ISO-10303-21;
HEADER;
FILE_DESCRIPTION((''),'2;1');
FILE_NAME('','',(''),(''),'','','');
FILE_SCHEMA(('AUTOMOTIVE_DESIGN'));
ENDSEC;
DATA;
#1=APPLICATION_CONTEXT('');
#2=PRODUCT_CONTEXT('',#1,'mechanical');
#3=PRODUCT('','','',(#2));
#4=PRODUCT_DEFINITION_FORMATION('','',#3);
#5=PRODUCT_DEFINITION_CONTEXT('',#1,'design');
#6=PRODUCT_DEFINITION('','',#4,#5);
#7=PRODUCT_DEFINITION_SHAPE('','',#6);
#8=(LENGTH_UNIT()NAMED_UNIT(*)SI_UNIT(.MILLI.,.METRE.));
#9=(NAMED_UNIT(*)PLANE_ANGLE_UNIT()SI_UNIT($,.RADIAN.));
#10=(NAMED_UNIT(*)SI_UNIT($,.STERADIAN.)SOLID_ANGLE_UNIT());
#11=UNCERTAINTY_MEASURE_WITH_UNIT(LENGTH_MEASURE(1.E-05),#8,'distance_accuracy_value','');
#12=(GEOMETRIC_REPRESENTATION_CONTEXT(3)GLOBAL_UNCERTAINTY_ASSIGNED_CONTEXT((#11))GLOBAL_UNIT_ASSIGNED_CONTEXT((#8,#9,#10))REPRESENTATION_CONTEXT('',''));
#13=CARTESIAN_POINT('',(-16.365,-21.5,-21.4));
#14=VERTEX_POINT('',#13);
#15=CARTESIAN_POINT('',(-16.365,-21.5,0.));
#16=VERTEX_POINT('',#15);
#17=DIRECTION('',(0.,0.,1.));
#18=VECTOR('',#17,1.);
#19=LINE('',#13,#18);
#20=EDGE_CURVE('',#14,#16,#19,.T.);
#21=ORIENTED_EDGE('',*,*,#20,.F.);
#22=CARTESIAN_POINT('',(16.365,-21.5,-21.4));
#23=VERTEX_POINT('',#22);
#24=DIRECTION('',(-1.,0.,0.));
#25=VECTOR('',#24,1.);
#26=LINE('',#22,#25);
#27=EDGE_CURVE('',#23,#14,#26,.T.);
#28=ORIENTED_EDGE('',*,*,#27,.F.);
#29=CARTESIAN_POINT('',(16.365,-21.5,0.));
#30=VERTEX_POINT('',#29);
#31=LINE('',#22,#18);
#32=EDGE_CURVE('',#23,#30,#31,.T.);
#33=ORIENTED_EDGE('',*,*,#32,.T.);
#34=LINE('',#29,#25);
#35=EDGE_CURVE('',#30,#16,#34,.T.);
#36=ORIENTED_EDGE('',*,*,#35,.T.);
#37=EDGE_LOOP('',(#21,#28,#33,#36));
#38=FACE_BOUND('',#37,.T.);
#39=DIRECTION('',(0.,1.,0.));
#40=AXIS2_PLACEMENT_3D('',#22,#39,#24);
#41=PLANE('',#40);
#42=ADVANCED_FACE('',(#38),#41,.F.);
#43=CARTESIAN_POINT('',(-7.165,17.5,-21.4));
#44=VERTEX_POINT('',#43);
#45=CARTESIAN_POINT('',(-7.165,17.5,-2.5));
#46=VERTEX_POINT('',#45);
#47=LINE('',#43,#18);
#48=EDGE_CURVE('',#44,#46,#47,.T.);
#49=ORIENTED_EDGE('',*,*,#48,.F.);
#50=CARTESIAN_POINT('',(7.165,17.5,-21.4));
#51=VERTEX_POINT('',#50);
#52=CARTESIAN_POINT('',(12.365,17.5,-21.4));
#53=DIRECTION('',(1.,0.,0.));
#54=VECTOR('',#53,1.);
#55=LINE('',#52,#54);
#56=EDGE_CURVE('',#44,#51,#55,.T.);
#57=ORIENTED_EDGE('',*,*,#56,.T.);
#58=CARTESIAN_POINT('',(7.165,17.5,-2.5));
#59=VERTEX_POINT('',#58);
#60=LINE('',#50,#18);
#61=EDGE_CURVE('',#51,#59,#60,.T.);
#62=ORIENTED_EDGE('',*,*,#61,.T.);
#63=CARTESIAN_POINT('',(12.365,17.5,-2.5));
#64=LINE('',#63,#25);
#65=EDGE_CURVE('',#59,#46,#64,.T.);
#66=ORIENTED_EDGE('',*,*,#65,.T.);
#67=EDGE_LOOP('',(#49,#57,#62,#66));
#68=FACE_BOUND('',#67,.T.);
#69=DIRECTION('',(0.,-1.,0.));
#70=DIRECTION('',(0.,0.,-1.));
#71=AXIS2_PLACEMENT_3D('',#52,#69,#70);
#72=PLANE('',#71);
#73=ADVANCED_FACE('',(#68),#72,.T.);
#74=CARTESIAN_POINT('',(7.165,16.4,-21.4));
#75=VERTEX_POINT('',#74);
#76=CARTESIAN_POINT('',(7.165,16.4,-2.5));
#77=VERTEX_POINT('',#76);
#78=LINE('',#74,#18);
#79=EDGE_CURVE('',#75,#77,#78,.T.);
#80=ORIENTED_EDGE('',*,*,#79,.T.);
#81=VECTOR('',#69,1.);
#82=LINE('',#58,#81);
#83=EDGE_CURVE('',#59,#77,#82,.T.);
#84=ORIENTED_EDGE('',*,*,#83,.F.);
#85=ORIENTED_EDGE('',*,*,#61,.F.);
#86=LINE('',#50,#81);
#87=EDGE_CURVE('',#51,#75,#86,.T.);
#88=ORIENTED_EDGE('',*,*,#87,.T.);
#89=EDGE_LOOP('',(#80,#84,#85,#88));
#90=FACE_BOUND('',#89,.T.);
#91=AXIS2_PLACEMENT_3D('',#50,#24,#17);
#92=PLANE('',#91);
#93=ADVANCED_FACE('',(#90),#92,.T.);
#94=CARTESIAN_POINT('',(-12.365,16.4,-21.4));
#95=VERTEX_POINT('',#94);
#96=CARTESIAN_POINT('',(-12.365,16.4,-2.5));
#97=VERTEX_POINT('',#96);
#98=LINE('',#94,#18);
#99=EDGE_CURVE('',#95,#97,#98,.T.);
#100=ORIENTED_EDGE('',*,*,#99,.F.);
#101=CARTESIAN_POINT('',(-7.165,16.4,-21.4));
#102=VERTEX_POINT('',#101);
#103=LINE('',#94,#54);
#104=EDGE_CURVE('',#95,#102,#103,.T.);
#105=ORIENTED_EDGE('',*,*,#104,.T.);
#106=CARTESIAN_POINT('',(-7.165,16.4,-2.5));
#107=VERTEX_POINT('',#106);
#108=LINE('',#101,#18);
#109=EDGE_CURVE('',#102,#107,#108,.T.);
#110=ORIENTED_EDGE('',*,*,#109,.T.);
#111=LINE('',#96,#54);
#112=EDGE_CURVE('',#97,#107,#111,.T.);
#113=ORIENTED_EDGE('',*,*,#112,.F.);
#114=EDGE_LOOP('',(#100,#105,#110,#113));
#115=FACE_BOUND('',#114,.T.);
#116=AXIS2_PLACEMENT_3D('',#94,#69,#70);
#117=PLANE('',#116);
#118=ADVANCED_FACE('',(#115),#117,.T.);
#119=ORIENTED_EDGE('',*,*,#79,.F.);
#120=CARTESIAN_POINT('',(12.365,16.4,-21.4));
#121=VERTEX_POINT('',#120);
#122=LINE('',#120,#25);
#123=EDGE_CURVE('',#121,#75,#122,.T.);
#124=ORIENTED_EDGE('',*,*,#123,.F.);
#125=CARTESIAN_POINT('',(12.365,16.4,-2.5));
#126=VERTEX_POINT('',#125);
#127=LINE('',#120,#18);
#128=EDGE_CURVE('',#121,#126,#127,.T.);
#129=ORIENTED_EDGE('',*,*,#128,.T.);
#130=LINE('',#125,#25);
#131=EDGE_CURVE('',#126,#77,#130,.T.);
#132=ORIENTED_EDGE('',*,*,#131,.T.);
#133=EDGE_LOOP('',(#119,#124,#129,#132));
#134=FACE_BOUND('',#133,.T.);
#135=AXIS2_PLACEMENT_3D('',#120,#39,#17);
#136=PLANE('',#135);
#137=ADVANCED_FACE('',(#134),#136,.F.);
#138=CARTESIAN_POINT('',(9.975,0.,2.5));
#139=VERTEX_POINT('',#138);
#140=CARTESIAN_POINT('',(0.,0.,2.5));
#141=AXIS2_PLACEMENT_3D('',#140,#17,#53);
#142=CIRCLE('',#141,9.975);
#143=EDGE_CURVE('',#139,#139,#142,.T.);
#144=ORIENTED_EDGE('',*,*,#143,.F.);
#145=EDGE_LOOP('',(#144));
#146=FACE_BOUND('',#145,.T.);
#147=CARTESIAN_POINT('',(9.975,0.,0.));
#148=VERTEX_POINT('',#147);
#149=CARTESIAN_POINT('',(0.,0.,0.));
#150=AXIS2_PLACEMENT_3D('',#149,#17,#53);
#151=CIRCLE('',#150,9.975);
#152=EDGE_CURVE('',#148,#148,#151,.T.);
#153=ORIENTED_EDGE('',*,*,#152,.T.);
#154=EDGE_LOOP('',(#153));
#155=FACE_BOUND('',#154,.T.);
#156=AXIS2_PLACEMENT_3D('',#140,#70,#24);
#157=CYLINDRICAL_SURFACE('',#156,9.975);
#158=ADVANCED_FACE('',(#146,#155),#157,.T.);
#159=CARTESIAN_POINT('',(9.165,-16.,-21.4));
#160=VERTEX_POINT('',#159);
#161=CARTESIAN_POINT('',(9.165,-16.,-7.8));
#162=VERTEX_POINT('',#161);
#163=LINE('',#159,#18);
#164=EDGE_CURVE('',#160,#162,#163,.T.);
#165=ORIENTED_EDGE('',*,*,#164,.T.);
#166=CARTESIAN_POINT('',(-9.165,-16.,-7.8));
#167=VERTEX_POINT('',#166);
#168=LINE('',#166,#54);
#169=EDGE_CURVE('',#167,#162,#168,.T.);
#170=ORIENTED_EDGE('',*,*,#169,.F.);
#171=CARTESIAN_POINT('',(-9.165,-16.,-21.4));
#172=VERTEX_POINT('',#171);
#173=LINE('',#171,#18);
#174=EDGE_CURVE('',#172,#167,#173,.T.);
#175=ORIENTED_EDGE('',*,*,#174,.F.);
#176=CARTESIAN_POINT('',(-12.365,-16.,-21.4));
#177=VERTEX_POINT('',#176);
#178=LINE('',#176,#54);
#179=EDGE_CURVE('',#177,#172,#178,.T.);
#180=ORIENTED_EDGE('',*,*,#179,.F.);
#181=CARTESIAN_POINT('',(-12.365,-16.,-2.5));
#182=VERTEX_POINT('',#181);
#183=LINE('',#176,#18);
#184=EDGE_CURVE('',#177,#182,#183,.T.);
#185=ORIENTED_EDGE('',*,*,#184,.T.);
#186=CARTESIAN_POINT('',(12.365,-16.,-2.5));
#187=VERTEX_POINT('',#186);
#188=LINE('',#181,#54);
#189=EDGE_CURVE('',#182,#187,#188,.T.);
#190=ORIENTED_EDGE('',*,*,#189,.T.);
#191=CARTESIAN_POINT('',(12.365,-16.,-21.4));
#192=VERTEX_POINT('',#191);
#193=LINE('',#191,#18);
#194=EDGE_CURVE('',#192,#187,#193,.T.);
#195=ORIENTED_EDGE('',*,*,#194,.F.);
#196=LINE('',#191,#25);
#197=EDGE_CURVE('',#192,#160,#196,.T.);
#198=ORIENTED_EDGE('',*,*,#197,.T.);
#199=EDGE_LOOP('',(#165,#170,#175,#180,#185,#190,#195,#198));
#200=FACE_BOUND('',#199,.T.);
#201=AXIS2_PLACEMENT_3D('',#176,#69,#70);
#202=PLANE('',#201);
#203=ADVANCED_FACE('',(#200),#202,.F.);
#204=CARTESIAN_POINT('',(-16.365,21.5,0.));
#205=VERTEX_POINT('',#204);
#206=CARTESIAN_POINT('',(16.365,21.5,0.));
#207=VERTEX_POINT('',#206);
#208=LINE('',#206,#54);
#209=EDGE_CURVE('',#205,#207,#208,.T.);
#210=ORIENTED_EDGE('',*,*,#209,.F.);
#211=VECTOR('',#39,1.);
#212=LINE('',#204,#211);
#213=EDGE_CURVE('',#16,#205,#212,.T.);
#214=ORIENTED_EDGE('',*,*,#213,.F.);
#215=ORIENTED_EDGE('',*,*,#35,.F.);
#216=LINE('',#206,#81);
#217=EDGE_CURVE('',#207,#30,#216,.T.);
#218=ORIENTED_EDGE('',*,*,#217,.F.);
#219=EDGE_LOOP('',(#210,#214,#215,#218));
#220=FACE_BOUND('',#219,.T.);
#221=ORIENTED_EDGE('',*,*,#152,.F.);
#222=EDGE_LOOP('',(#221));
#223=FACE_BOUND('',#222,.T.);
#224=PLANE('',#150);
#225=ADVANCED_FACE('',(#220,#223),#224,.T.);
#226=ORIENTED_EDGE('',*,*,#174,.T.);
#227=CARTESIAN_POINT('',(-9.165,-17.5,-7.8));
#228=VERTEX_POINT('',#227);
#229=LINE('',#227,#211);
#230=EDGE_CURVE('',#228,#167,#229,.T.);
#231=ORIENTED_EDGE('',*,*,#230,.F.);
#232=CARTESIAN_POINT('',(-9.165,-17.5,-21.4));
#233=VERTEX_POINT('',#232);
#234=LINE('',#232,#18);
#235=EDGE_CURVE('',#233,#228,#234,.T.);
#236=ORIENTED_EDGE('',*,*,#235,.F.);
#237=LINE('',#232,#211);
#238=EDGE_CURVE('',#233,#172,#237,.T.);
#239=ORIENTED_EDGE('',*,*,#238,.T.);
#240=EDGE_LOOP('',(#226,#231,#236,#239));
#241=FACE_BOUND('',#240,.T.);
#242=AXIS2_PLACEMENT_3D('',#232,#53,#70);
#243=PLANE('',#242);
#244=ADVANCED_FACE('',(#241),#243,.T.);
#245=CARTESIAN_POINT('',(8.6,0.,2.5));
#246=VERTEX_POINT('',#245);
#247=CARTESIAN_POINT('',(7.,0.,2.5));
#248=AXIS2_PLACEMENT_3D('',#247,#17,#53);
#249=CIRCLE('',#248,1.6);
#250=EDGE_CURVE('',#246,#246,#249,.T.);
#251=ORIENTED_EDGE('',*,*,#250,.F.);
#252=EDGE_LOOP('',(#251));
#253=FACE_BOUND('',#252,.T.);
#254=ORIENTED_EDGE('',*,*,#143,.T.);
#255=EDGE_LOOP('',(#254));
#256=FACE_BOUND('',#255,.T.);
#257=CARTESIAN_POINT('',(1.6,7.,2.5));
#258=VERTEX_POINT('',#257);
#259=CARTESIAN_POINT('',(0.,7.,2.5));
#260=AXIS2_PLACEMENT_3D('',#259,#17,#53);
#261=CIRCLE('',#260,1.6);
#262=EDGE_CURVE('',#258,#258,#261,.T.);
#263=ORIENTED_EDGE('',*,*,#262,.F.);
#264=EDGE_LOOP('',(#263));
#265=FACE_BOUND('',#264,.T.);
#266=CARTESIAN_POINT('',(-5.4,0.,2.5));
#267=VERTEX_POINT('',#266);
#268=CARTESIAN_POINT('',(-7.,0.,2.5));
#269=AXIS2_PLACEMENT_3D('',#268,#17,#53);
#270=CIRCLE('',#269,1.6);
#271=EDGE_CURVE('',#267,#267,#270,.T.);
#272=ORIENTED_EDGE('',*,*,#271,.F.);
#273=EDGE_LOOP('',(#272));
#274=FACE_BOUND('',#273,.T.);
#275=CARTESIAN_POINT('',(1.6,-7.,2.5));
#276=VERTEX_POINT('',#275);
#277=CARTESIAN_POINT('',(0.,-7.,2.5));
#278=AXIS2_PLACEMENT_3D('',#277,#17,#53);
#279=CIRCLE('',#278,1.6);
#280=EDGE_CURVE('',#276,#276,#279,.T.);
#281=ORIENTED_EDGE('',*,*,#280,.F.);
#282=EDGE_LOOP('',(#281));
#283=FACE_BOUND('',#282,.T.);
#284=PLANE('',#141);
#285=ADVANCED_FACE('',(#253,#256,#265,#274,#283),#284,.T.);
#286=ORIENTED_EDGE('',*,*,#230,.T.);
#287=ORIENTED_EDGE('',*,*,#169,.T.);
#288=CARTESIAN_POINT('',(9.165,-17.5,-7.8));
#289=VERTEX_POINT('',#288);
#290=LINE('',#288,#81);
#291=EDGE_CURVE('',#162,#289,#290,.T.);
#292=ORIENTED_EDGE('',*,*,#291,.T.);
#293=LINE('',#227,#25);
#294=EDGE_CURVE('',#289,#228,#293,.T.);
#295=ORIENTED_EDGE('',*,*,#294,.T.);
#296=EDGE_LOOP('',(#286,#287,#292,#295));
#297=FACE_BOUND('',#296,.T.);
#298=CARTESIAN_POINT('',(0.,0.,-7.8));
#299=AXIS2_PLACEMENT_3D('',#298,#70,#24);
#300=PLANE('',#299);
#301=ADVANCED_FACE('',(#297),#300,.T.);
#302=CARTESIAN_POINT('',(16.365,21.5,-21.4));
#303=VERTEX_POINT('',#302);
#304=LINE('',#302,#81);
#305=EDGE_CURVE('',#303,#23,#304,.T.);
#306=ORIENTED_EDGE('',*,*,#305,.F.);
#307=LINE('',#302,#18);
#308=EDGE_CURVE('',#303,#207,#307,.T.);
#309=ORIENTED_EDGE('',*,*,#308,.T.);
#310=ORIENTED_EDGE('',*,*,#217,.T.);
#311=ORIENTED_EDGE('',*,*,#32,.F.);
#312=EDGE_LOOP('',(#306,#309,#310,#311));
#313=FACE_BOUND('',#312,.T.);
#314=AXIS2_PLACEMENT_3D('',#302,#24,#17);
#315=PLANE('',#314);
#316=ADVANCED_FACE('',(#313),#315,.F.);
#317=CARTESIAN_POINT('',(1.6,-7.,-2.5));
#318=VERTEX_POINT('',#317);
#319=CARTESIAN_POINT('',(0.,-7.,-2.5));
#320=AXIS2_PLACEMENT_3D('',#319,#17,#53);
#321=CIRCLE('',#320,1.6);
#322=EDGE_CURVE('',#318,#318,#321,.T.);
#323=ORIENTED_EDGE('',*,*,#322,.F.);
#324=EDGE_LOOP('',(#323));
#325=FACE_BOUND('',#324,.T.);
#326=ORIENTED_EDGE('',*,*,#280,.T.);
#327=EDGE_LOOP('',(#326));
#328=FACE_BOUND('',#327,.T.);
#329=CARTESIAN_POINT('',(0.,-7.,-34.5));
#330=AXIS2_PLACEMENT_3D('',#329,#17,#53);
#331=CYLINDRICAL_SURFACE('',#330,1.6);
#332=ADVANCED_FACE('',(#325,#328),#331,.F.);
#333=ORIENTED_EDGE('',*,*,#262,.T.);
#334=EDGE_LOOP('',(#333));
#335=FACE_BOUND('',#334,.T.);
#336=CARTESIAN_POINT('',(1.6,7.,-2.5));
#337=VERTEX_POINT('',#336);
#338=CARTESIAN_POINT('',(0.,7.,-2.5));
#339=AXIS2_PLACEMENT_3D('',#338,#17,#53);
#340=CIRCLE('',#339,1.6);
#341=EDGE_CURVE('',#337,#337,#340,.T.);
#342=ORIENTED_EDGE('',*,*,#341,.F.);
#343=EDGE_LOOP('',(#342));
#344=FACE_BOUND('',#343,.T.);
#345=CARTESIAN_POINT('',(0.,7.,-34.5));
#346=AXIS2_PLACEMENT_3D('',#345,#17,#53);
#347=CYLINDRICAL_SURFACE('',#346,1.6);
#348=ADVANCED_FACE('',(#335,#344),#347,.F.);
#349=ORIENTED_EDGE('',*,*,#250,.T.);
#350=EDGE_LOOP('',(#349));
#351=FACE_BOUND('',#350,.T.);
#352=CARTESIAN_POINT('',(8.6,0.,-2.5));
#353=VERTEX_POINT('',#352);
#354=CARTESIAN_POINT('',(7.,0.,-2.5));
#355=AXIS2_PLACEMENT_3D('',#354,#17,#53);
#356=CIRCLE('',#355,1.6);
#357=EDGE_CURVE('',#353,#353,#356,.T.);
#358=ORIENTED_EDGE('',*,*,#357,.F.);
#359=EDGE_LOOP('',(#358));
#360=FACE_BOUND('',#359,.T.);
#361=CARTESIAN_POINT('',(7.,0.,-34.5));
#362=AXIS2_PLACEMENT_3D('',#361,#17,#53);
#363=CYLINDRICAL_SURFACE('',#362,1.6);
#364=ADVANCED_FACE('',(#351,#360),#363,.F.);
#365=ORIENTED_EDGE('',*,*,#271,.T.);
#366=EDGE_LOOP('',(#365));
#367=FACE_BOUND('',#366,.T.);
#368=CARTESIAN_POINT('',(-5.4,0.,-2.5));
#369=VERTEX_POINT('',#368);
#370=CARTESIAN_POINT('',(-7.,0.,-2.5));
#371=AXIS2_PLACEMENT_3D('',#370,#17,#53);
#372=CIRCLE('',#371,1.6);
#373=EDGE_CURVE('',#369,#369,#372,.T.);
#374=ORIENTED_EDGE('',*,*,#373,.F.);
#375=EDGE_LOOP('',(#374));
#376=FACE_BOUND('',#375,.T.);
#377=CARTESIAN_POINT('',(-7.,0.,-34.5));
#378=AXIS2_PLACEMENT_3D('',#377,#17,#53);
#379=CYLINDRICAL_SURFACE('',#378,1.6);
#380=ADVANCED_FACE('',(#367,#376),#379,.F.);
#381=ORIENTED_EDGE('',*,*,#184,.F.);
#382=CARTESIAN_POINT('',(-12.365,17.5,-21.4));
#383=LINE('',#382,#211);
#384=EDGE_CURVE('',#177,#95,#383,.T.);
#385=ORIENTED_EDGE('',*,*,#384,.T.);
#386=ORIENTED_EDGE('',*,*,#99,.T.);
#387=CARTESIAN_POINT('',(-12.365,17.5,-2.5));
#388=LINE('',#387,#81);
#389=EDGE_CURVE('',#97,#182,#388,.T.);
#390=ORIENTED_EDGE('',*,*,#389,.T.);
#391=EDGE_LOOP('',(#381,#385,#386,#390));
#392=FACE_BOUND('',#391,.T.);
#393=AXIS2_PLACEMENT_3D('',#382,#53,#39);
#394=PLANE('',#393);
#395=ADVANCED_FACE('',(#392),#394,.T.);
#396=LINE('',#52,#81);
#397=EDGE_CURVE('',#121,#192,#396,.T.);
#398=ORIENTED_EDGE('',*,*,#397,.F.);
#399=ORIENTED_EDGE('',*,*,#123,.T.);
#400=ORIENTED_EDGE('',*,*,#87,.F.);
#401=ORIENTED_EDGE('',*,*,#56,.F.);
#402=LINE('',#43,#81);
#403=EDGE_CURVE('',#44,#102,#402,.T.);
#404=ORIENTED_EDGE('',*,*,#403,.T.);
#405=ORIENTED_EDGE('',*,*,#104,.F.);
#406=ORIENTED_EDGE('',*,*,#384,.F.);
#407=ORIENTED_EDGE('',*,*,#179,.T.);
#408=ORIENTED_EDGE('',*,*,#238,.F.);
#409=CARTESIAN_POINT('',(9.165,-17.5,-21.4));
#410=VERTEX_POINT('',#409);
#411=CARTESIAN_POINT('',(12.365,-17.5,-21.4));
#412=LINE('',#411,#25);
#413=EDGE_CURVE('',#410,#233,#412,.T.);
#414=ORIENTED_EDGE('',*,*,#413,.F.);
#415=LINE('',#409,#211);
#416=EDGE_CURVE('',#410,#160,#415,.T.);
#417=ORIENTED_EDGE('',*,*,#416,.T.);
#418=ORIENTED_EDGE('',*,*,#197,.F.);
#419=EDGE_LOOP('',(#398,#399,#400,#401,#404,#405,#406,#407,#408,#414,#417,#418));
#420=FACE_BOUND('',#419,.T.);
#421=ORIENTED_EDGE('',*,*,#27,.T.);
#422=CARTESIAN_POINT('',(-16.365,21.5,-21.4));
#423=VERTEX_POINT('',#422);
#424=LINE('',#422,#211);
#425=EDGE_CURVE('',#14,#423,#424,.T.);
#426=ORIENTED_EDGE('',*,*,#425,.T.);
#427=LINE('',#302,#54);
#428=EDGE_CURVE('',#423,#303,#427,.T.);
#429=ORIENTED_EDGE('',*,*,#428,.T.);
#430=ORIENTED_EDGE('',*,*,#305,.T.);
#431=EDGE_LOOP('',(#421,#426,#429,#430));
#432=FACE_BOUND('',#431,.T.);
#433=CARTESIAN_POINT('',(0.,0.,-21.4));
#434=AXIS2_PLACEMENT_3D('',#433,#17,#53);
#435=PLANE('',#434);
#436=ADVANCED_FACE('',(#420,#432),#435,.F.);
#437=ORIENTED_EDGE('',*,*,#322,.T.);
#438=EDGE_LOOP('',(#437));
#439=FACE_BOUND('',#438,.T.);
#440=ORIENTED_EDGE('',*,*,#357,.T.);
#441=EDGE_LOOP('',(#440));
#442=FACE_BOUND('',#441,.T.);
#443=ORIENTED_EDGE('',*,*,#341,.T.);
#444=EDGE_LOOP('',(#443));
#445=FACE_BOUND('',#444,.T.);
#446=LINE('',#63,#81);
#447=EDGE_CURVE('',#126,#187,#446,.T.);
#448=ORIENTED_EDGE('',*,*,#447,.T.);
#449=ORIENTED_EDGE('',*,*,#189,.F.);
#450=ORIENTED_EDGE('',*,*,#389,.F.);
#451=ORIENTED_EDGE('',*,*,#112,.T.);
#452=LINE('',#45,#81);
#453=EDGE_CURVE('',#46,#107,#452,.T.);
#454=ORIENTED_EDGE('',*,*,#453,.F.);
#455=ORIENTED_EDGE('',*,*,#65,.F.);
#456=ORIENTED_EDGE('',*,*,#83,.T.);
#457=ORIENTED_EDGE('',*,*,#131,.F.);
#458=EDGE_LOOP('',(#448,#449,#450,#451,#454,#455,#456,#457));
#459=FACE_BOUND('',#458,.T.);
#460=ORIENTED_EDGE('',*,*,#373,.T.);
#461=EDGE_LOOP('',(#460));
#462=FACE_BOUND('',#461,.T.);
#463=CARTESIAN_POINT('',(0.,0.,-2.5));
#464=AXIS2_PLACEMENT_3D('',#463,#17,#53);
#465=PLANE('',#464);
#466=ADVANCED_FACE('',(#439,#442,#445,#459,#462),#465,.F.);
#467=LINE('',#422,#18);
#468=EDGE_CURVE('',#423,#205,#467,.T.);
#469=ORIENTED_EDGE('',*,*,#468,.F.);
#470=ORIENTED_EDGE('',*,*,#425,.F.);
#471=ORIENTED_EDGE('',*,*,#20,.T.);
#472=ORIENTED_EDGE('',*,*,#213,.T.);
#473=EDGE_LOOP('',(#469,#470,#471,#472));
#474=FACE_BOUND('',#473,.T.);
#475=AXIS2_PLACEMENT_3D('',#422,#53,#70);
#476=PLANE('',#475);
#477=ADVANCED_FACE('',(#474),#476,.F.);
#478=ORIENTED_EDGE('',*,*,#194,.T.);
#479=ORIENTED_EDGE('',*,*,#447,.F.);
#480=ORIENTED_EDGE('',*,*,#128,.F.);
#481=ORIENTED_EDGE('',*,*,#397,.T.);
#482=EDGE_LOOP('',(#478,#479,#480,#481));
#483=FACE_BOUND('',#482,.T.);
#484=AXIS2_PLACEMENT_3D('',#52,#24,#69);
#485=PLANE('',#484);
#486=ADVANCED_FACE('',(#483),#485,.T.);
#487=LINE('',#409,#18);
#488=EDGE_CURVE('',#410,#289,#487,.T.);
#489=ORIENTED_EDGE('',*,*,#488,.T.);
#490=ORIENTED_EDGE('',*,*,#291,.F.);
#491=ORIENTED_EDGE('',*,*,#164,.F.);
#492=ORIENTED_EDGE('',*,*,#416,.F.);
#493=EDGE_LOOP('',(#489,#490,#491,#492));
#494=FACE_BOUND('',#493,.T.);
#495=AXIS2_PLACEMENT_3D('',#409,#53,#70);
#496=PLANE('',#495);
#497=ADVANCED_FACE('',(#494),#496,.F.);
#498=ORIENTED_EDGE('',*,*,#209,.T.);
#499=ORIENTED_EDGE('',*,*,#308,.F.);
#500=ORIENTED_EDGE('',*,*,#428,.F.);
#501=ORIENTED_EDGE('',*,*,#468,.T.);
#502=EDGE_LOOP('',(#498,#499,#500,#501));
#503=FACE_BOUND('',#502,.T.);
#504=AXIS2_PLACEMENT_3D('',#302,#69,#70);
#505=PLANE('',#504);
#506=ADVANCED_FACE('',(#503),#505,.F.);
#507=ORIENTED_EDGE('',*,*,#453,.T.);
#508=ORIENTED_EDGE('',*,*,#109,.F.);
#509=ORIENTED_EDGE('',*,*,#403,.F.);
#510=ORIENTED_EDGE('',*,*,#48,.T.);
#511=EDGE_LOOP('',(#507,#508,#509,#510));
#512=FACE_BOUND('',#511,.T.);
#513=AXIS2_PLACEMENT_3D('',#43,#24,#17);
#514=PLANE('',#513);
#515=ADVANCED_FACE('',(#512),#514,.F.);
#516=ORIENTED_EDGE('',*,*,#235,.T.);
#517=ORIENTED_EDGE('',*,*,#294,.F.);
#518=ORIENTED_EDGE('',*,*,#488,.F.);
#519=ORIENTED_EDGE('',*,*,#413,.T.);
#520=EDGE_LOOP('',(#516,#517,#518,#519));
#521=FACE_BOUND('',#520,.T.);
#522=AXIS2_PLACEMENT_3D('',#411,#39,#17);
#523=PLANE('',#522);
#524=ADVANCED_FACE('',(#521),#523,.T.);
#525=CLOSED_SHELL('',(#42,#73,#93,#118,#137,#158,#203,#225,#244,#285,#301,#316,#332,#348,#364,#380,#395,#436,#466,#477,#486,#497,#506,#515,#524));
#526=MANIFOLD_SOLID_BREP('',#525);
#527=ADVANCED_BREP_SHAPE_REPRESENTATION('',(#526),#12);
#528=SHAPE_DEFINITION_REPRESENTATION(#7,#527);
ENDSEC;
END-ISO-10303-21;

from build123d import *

# Parameters (mm, degrees)
SKETCH1_R           = 9.975
BOSS_EXTRUDE1_DEPTH = 2.5
SKETCH3_W           = 24.73
SKETCH3_H           = 35
BOSS_EXTRUDE4_DEPTH = 2.5
SKETCH3_5_W         = 32.73
SKETCH3_5_H         = 43
SKETCH3_5_W_2       = 24.73
SKETCH3_5_H_2       = 35
BOSS_EXTRUDE5_DEPTH = 21.4
SKETCH4_W           = 5.2
SKETCH4_H           = 1.1
SKETCH4_W_2         = 3.2
SKETCH4_H_2         = 1.5
BOSS_EXTRUDE6_DEPTH = 18.9
SKETCH6_W           = 18.33
SKETCH6_H           = 1.5
BOSS_EXTRUDE7_DEPTH = 5.3
SKETCH2_R           = 1.6
CUT_EXTRUDE1_DEPTH  = 37


with BuildPart() as part:
    # Sketch1 → Boss-Extrude1 (new body)
    with BuildSketch(Plane.XY):
        Circle(SKETCH1_R)
    extrude(amount=BOSS_EXTRUDE1_DEPTH)

    # Sketch3 → Boss-Extrude4 (add)
    with BuildSketch(Plane(origin=(0, 0, 0), x_dir=(-1, 0, 0), z_dir=(0, 0, -1))):
        Rectangle(SKETCH3_W, SKETCH3_H)
    extrude(amount=BOSS_EXTRUDE4_DEPTH)

    # Sketch3<5> → Boss-Extrude5 (add)
    with BuildSketch(Plane(origin=(0, 0, 0), x_dir=(-1, 0, 0), z_dir=(0, 0, -1))):
        Rectangle(SKETCH3_5_W, SKETCH3_5_H)
        Rectangle(SKETCH3_5_W_2, SKETCH3_5_H_2, mode=Mode.SUBTRACT)
    extrude(amount=BOSS_EXTRUDE5_DEPTH)

    # Sketch4 → Boss-Extrude6 (add)
    with BuildSketch(Plane(origin=(0, 0, -2.5), x_dir=(-1, 0, 0), z_dir=(0, 0, -1))):
        with Locations((9.765, 16.95)):
            Rectangle(SKETCH4_W, SKETCH4_H)
        with Locations((-9.765, 16.95)):
            Rectangle(SKETCH4_W, SKETCH4_H)
        with Locations((10.765, -16.75)):
            Rectangle(SKETCH4_W_2, SKETCH4_H_2)
        with Locations((-10.765, -16.75)):
            Rectangle(SKETCH4_W_2, SKETCH4_H_2)
    extrude(amount=BOSS_EXTRUDE6_DEPTH)

    # Sketch6 → Boss-Extrude7 (add)
    with BuildSketch(Plane(origin=(0, 0, -2.5), x_dir=(-1, 0, 0), z_dir=(0, 0, -1))):
        with Locations((0, -16.75)):
            Rectangle(SKETCH6_W, SKETCH6_H)
    extrude(amount=BOSS_EXTRUDE7_DEPTH)

    # Sketch2 → Cut-Extrude1 (cut)
    with BuildSketch(Plane.XY.offset(2.5)):
        with Locations((7, 0)):
            Circle(SKETCH2_R)
        with Locations((0, -7)):
            Circle(SKETCH2_R)
        with Locations((-7, 0)):
            Circle(SKETCH2_R)
        with Locations((0, 7)):
            Circle(SKETCH2_R)
    extrude(amount=-CUT_EXTRUDE1_DEPTH, mode=Mode.SUBTRACT)


solid = part.part
